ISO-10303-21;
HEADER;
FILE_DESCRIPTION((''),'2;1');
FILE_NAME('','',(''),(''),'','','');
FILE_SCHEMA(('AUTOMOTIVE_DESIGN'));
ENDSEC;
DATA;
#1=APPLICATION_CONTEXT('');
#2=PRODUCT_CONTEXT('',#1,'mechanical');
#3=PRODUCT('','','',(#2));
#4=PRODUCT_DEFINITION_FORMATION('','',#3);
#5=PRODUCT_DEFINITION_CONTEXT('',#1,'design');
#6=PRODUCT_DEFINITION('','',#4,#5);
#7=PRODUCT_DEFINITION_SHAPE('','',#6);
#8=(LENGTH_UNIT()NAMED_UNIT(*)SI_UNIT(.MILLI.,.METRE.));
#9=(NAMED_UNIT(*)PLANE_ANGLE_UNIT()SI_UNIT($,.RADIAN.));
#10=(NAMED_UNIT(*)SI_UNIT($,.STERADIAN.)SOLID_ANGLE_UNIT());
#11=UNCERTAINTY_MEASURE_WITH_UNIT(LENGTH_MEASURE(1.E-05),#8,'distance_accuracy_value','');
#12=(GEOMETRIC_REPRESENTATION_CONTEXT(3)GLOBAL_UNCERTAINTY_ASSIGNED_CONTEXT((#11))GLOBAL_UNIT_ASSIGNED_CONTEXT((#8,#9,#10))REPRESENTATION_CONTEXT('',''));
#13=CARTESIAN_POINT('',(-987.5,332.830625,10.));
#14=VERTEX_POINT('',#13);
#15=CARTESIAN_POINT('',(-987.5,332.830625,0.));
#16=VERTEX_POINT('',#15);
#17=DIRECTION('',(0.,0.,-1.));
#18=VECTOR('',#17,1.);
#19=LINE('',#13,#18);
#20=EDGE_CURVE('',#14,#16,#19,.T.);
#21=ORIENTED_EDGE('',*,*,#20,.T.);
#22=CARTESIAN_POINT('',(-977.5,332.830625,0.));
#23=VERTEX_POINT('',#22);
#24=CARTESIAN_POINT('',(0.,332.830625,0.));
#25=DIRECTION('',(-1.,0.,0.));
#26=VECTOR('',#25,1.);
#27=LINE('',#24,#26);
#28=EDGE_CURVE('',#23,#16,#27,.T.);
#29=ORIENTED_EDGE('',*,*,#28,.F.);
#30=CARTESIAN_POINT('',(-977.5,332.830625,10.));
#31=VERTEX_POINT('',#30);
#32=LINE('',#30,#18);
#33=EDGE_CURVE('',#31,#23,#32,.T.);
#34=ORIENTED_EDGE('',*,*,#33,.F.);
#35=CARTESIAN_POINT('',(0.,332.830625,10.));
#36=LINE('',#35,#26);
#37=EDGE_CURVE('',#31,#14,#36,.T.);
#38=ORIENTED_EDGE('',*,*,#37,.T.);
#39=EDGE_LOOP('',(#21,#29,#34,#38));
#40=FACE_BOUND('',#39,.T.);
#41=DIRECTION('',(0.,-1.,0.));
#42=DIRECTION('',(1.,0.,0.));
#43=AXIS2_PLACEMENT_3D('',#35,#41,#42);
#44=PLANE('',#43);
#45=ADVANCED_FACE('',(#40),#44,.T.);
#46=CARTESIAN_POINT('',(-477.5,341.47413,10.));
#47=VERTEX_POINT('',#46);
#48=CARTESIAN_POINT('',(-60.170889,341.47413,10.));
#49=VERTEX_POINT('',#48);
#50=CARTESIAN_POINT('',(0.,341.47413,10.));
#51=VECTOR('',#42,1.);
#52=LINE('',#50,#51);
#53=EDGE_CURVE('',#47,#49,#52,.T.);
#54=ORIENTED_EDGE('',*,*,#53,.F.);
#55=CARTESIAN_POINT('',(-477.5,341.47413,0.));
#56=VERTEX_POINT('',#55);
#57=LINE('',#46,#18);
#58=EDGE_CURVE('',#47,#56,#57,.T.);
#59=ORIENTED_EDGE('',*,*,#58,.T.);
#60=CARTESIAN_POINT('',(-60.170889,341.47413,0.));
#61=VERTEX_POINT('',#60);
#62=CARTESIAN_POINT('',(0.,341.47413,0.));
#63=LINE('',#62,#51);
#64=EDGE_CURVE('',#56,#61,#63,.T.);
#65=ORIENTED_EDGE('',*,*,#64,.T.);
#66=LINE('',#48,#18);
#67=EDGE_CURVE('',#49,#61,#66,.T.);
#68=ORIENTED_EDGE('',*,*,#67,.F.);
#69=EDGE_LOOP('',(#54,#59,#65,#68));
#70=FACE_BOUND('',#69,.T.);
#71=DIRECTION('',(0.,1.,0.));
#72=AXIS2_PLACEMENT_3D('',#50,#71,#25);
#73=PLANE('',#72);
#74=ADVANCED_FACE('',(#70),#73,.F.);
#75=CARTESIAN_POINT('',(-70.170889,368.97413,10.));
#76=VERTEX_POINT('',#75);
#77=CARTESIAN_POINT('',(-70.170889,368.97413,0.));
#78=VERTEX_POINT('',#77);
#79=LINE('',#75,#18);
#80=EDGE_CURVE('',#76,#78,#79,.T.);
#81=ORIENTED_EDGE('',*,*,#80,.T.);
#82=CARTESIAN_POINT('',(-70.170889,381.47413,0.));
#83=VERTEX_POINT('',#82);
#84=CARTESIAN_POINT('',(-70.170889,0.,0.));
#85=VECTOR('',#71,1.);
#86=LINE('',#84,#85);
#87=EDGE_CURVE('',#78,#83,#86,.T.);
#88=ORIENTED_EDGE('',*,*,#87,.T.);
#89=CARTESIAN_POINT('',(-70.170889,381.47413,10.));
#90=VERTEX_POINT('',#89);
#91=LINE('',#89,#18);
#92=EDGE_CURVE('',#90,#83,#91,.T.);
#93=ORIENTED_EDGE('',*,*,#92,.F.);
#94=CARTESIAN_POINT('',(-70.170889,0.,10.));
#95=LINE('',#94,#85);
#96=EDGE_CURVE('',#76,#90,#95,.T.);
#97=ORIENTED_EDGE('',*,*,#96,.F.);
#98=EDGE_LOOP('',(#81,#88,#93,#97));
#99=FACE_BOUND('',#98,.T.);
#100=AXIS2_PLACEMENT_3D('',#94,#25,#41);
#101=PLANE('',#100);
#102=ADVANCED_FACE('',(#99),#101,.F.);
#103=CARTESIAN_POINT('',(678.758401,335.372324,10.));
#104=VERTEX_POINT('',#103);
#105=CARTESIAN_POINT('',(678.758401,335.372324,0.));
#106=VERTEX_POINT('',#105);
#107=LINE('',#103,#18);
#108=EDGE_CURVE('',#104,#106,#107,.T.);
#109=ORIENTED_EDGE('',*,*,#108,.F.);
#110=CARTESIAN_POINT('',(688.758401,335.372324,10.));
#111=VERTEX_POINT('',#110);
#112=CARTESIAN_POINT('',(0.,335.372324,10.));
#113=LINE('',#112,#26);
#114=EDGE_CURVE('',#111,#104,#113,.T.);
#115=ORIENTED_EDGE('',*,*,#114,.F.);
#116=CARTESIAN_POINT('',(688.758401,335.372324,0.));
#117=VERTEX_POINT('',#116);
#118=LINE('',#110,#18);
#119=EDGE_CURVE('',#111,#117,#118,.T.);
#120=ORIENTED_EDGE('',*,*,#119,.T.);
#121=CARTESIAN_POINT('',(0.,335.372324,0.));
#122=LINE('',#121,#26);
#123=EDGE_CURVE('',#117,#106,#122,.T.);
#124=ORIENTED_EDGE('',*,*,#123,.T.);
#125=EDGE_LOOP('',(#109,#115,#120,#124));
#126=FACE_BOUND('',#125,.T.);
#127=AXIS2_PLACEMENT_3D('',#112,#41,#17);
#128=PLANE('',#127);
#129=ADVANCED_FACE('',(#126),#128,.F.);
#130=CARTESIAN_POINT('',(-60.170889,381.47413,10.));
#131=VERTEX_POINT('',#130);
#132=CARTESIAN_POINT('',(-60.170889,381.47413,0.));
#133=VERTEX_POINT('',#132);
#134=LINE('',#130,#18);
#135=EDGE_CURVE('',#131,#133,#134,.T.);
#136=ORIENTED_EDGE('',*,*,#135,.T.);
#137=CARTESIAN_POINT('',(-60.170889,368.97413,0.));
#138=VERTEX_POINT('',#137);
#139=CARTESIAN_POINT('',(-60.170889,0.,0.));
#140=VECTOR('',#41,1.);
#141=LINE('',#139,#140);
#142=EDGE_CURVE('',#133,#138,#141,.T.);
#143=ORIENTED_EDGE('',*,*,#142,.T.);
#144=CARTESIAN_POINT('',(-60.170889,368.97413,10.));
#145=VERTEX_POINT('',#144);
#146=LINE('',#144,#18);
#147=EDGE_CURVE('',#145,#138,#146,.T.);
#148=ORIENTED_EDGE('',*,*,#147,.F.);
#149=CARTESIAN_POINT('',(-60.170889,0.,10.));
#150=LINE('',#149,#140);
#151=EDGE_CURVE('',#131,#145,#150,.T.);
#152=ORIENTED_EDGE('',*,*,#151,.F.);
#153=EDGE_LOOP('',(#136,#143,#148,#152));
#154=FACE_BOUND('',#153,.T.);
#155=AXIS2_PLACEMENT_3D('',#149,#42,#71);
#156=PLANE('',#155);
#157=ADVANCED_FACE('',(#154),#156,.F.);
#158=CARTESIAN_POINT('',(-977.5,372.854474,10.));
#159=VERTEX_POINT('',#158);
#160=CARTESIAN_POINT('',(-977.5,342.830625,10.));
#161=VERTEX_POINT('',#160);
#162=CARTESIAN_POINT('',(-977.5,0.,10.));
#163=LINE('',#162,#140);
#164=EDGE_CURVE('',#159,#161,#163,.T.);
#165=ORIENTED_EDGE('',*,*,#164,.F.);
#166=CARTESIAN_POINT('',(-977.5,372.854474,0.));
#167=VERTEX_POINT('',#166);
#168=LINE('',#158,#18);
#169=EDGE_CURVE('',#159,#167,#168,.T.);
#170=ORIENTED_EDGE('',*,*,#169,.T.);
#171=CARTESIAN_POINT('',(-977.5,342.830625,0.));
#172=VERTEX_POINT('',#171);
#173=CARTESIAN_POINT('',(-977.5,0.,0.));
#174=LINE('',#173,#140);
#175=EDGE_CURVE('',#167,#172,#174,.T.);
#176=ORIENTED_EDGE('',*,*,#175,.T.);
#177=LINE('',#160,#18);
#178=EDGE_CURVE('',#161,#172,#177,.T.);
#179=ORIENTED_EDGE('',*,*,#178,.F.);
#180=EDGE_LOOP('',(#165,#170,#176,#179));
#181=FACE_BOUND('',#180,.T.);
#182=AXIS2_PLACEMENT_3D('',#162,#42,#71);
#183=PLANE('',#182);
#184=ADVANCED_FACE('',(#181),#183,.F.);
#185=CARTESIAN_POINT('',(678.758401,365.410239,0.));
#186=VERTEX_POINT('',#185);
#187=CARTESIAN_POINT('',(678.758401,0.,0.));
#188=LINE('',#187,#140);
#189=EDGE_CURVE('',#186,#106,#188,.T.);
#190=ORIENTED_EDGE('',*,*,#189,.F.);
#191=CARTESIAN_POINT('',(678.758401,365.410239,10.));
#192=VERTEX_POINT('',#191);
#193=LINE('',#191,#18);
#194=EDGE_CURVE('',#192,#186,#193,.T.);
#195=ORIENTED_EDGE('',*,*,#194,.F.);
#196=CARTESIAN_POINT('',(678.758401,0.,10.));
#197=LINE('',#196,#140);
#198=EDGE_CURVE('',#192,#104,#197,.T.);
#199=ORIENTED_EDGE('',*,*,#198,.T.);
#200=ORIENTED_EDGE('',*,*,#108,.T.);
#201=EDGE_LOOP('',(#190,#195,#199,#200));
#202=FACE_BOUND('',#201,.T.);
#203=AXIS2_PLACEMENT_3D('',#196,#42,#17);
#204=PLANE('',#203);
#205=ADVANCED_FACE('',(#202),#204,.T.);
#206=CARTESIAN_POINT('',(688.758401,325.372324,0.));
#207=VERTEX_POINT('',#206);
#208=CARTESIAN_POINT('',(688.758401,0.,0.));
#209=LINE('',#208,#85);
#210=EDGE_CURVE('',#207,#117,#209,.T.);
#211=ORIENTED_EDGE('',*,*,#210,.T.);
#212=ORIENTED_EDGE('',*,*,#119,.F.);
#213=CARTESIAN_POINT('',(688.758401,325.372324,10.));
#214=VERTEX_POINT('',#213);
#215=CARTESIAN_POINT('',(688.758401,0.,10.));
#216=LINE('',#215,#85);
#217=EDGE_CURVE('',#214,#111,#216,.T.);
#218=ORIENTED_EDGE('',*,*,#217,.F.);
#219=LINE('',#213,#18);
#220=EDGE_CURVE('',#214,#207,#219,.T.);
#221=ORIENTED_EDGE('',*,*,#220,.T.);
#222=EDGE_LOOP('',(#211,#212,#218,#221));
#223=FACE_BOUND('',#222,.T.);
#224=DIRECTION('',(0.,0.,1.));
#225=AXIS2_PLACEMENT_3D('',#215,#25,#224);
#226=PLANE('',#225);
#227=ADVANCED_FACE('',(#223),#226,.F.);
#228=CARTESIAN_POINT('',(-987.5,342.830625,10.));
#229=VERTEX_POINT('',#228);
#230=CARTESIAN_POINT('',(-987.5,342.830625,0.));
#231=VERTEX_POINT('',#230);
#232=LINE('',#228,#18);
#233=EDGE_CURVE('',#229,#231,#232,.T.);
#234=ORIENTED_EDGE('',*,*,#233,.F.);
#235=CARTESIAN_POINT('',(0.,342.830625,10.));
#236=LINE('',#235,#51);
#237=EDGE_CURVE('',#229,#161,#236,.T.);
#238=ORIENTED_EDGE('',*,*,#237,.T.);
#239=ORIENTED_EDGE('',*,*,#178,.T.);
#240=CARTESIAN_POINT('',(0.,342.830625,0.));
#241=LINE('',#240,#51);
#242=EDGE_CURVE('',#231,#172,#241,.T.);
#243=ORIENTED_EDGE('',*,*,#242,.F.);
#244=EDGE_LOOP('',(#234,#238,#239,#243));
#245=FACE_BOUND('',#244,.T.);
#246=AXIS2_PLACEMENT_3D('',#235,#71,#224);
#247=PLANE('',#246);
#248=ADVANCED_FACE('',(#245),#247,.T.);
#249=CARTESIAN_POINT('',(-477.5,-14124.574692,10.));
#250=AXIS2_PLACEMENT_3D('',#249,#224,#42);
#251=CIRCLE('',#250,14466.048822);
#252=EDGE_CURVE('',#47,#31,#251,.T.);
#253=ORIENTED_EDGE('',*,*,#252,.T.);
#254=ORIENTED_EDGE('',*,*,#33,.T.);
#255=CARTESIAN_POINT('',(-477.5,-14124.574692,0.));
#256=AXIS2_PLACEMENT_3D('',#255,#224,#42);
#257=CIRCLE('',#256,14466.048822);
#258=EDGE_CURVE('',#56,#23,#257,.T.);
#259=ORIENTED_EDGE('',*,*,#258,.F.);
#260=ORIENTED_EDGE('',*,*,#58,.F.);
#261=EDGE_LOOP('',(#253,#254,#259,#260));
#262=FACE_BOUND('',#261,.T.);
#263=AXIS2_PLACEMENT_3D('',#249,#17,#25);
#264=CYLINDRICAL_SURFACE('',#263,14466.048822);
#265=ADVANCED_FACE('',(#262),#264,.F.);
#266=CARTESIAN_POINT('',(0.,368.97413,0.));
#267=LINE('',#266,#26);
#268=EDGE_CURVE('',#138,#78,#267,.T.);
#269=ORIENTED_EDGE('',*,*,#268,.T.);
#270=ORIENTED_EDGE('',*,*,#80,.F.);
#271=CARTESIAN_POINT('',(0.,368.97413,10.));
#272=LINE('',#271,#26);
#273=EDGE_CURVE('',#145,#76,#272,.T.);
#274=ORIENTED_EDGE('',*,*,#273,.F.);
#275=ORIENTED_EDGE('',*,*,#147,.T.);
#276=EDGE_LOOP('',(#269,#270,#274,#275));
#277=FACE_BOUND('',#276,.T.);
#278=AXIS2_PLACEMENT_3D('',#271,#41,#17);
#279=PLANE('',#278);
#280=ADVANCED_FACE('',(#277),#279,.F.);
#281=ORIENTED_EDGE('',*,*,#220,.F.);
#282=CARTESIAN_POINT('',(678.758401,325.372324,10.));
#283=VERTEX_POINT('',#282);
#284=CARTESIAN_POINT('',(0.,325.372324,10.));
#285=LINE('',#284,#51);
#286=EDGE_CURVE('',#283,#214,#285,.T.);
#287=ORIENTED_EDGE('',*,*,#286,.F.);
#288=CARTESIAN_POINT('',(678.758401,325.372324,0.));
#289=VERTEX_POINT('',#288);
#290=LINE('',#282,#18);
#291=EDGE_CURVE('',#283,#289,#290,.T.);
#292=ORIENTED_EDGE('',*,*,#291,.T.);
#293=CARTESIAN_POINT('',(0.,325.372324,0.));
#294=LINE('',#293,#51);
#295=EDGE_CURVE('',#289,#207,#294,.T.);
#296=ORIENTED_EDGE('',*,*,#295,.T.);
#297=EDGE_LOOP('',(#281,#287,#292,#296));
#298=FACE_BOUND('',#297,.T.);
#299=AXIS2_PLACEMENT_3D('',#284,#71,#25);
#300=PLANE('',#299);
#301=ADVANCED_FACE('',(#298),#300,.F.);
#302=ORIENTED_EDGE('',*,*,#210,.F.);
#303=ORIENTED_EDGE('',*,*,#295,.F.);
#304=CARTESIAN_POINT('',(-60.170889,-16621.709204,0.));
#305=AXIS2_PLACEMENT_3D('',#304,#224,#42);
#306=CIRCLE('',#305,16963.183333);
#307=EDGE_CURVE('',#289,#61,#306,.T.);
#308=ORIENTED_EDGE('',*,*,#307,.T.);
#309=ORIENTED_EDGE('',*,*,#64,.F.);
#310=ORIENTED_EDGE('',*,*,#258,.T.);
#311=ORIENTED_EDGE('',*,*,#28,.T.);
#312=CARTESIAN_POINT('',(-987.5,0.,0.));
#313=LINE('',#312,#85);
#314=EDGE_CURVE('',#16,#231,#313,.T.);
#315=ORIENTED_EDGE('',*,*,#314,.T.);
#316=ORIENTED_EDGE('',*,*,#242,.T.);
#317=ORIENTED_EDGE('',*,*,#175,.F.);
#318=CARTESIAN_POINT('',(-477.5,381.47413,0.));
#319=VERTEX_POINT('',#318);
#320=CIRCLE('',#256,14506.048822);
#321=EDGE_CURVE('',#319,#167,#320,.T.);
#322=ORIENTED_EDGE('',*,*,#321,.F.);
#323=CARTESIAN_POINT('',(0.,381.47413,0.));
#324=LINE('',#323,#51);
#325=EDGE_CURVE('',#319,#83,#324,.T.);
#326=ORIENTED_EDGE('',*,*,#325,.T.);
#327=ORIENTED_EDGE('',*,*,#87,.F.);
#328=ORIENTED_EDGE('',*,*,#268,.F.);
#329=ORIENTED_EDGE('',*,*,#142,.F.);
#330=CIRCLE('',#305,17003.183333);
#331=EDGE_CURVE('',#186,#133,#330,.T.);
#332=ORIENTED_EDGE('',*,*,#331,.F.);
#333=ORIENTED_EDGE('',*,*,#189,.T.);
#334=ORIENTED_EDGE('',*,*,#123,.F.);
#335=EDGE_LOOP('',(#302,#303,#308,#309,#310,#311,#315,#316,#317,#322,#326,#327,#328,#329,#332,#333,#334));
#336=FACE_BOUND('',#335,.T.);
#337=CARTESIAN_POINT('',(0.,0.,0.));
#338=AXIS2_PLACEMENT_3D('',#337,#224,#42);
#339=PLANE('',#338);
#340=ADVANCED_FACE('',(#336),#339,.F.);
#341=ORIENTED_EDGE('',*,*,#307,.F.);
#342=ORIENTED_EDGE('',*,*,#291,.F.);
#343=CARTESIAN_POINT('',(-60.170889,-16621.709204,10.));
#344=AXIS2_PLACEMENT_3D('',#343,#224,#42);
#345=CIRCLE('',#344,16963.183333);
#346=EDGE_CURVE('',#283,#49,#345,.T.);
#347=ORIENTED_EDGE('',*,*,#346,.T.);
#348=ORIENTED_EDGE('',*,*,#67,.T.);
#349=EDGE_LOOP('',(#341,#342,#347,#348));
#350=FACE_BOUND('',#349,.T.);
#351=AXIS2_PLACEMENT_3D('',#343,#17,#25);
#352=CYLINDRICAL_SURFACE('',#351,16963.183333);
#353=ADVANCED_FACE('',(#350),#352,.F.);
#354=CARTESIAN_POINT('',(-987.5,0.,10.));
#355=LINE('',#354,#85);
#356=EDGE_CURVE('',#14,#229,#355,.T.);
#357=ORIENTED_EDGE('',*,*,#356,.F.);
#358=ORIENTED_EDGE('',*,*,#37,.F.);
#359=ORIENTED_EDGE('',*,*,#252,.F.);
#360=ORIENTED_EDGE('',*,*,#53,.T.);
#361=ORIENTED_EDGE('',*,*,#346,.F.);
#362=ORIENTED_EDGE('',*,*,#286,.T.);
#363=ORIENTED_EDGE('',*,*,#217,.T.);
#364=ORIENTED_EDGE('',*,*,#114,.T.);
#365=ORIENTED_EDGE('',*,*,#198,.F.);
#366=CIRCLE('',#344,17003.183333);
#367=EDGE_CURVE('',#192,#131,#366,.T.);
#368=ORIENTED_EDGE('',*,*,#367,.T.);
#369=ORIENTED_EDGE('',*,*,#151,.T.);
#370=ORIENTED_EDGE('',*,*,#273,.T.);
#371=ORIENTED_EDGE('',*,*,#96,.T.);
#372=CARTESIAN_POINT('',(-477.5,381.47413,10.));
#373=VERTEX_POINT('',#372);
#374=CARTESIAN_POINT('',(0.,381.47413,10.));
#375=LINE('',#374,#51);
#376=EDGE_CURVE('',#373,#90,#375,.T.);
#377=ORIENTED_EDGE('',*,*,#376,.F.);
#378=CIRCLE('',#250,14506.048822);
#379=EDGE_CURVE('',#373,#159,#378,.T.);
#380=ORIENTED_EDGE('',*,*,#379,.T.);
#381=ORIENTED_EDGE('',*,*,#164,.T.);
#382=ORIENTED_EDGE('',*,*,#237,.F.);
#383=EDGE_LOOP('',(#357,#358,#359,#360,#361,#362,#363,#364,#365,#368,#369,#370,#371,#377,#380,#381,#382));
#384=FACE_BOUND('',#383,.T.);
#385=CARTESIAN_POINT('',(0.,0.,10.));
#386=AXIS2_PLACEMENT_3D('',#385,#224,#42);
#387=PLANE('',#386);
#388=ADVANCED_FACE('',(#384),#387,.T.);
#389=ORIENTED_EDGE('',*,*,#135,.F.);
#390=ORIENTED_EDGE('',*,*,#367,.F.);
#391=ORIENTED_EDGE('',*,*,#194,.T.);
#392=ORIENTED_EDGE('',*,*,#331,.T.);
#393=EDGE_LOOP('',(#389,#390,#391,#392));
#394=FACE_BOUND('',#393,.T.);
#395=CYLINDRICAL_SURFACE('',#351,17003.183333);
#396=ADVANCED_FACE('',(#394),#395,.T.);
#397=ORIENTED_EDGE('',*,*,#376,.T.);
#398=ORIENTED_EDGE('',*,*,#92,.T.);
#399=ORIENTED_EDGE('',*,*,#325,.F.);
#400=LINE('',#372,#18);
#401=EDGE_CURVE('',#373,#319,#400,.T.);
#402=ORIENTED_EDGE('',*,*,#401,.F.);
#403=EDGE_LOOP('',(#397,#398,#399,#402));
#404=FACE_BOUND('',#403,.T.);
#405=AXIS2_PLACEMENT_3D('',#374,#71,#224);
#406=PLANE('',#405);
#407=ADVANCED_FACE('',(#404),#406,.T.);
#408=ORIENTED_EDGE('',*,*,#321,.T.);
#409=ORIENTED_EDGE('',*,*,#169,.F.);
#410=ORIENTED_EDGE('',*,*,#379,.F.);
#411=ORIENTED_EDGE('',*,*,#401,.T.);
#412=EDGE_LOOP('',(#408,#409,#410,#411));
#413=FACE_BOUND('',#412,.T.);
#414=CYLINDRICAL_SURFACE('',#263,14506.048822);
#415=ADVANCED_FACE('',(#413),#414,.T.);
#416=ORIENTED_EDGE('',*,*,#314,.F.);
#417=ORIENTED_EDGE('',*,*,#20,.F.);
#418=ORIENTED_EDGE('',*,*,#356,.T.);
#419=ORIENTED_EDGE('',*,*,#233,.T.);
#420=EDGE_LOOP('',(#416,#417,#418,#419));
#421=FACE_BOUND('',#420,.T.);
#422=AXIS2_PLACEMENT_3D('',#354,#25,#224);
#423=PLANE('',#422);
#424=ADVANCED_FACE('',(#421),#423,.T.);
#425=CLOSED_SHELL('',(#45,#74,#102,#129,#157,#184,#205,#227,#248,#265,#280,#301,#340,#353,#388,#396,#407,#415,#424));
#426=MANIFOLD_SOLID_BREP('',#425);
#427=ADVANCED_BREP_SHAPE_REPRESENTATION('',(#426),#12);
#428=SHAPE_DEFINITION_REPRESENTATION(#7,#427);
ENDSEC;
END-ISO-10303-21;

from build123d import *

# Parameters (mm, degrees)
BOSS_EXTRUDE1_DEPTH = 10


with BuildPart() as part:
    # Sketch1 → Boss-Extrude1 (new body)
    with BuildSketch(Plane.XY):
        with BuildLine():
            Line((-70.170888572, 381.474129778), (-477.5, 381.474129778))
            ThreePointArc((-477.5, 381.474129778), (-727.537146474, 379.319055722), (-977.5, 372.854473884))
            Line((-977.5, 372.854473884), (-977.5, 342.830625486))
            Line((-977.5, 342.830625486), (-987.5, 342.830625486))
            Line((-987.5, 342.830625486), (-987.5, 332.830625486))
            Line((-987.5, 332.830625486), (-977.5, 332.830625486))
            ThreePointArc((-977.5, 332.830625486), (-727.537352293, 339.31309229), (-477.5, 341.474129778))
            Line((-477.5, 341.474129778), (-60.170888572, 341.474129778))
            ThreePointArc((-60.170888572, 341.474129778), (237.427772245, 338.863423493), (534.934829654, 331.032108233))
            ThreePointArc((534.934829654, 331.032108233), (606.852618205, 328.354762156), (678.758400695, 325.372324122))
            Line((678.758400695, 325.372324122), (688.758400695, 325.372324122))
            Line((688.758400695, 325.372324122), (688.758400695, 335.372324122))
            Line((688.758400695, 335.372324122), (678.758400695, 335.372324122))
            Line((678.758400695, 335.372324122), (678.758400695, 365.410239494))
            ThreePointArc((678.758400695, 365.410239494), (309.381050642, 377.45768283), (-60.170888572, 381.474129778))
            Line((-60.170888572, 381.474129778), (-60.170888572, 368.974129778))
            Line((-60.170888572, 368.974129778), (-70.170888572, 368.974129778))
            Line((-70.170888572, 368.974129778), (-70.170888572, 381.474129778))
        make_face()
    extrude(amount=BOSS_EXTRUDE1_DEPTH)


solid = part.part
